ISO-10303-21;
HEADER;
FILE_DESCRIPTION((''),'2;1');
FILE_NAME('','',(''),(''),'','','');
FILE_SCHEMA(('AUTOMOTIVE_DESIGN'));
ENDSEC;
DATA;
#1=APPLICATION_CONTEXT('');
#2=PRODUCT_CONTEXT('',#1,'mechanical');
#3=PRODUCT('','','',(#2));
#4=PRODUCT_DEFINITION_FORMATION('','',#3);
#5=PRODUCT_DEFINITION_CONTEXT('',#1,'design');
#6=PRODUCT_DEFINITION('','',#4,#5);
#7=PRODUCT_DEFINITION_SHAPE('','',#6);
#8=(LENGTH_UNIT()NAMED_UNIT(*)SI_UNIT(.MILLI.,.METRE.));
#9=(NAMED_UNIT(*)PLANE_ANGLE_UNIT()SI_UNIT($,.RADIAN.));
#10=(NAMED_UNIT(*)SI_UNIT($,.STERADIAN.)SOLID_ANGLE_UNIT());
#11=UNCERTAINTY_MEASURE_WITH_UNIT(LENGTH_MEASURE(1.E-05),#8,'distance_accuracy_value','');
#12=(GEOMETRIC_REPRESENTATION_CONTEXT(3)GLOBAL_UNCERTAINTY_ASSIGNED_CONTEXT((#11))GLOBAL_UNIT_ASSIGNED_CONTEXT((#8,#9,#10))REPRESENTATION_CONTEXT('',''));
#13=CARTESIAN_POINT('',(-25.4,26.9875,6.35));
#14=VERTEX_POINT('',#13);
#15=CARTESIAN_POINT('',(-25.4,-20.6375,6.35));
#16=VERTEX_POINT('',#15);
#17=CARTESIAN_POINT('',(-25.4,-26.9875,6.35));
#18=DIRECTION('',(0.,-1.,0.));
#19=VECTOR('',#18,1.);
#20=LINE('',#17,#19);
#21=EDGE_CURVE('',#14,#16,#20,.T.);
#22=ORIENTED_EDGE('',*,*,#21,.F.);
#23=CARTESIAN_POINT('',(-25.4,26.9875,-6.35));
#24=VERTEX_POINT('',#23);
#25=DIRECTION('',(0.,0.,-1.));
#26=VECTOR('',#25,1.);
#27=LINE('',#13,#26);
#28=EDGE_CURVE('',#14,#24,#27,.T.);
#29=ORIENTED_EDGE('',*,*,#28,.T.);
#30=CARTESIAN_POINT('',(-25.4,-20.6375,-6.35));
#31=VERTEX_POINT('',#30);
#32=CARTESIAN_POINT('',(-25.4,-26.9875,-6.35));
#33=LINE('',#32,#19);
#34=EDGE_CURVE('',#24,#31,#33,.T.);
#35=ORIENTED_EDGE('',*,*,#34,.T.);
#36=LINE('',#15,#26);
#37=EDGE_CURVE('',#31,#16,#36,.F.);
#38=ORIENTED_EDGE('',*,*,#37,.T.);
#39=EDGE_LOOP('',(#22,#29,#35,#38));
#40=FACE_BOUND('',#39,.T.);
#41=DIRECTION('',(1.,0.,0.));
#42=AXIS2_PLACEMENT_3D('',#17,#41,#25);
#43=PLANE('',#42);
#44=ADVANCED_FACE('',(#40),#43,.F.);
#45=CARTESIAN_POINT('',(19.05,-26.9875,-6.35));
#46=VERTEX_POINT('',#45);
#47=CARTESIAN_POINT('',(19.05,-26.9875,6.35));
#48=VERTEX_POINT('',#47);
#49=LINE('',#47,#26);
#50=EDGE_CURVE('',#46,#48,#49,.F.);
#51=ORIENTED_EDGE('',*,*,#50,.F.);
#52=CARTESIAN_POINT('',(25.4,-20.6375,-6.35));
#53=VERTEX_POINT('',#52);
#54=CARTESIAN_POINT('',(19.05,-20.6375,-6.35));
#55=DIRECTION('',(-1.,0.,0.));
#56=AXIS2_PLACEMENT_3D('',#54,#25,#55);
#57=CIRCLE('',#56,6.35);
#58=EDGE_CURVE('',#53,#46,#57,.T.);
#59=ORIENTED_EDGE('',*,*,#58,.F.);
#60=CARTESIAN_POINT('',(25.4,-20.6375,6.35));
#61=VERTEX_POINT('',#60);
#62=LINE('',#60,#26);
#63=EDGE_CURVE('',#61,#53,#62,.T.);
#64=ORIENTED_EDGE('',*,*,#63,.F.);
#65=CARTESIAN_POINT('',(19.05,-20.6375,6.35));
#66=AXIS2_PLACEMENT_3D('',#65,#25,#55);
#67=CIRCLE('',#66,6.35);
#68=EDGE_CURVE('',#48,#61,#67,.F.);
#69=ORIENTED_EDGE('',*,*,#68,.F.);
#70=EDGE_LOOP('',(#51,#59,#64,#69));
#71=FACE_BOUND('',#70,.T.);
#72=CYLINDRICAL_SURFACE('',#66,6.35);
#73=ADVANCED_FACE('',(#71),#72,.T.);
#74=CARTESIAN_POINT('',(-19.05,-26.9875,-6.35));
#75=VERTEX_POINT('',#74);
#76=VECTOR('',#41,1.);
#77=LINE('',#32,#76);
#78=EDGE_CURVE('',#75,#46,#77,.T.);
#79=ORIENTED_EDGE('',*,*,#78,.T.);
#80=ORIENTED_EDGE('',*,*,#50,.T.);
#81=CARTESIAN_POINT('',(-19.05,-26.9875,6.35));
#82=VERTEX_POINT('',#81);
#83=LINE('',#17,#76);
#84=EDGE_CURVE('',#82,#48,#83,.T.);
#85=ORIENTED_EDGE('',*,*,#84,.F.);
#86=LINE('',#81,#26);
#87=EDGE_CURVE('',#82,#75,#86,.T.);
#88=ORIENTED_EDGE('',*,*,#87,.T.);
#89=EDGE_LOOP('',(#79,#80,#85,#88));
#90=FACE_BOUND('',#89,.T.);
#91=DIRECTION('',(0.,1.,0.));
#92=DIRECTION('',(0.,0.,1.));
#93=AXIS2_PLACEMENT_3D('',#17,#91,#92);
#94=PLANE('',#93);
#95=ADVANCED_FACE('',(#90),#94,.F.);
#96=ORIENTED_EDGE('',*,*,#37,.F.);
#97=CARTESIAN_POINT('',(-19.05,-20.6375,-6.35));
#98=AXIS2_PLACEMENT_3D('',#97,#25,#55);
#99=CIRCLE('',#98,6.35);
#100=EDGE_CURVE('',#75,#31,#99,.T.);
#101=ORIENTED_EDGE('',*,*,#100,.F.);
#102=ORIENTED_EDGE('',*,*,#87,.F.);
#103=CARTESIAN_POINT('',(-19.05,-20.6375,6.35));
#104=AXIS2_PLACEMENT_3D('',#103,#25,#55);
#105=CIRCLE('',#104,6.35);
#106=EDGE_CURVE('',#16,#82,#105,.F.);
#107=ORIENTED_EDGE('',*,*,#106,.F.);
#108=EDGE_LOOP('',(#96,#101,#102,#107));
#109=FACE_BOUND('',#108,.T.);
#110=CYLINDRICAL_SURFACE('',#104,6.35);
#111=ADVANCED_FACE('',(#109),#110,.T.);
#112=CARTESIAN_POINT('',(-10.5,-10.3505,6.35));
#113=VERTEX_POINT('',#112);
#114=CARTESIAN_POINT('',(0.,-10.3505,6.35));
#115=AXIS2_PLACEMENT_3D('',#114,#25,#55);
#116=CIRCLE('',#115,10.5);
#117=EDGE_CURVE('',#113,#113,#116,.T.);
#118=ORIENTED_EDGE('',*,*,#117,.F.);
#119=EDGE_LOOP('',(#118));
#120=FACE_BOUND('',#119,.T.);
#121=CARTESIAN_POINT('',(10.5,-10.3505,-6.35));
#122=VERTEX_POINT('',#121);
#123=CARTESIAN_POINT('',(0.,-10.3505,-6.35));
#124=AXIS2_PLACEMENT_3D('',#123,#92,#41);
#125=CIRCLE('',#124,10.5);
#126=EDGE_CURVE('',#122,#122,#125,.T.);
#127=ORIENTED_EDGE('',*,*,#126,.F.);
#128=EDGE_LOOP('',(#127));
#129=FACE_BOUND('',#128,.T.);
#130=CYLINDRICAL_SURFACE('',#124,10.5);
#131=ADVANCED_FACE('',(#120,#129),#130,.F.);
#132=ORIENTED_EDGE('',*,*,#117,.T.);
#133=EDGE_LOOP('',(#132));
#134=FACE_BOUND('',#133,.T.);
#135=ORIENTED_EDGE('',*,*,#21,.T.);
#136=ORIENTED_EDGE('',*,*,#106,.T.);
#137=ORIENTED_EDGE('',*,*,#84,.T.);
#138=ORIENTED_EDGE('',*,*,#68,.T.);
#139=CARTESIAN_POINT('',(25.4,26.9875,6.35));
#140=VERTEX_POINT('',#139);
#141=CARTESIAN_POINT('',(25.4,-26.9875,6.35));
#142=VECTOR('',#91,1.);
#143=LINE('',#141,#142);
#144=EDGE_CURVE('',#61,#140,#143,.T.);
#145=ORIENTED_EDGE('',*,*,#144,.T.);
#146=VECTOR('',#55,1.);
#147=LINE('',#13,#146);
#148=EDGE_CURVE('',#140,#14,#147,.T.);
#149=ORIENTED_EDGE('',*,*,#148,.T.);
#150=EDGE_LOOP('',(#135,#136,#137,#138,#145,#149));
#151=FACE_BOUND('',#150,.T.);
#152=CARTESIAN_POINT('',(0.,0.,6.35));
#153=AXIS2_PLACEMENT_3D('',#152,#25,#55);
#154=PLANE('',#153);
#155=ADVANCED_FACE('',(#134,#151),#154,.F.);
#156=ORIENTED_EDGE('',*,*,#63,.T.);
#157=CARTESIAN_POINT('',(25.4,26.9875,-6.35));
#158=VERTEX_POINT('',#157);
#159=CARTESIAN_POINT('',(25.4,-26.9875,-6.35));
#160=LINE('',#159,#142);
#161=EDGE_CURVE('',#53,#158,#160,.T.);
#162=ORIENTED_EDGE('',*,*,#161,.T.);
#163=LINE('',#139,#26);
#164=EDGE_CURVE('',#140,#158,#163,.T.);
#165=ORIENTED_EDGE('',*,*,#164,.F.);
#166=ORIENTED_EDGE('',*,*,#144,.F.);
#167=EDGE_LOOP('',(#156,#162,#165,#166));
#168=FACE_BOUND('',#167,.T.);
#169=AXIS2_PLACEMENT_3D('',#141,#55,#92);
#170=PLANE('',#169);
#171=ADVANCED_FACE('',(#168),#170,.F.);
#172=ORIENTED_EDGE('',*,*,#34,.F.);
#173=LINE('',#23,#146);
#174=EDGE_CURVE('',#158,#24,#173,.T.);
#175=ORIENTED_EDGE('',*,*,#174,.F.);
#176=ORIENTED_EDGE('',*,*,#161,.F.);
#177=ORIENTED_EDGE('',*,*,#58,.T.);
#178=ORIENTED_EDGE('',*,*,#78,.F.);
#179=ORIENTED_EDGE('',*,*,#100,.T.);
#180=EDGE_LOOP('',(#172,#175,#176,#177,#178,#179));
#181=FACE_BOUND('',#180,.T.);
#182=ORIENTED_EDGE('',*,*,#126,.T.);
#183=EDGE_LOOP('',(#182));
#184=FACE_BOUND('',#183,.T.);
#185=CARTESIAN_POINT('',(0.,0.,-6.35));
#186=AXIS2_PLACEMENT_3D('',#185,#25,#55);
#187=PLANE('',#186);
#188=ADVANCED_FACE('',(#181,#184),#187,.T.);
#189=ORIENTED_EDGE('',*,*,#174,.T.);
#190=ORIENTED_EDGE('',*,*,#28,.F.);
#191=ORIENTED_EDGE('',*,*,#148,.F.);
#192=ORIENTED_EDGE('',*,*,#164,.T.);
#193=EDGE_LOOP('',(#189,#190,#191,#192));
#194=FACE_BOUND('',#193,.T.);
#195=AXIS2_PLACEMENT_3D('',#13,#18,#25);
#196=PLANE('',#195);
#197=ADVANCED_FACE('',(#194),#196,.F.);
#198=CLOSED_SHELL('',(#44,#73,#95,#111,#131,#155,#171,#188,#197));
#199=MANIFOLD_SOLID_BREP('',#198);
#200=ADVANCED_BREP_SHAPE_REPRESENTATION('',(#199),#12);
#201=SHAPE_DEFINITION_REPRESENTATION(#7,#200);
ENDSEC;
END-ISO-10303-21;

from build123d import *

# Parameters (mm, degrees)
SKETCH1_W               = 50.8
SKETCH1_H               = 53.975
BOSS_EXTRUDE1_DEPTH     = 6.35
CUT_EXTRUDE1_DEPTH      = 40.176206507
CUT_EXTRUDE1_DEPTH_BACK = 40.176206507
SKETCH2_R               = 10.499999971
FILLET1_R               = 6.35


with BuildPart() as part:
    # Sketch1 → Boss-Extrude1 (new, symmetric)
    with BuildSketch(Plane.XY):
        Rectangle(SKETCH1_W, SKETCH1_H)
    extrude(amount=BOSS_EXTRUDE1_DEPTH, both=True)

    # Sketch2 → Cut-Extrude1 (cut, two sides: drawn at the far end of the back side and taken through both)
    with BuildSketch(Plane.XY.offset(6.35).offset(-CUT_EXTRUDE1_DEPTH_BACK)):
        with Locations((0, -10.3505)):
            Circle(SKETCH2_R)
    extrude(amount=CUT_EXTRUDE1_DEPTH + CUT_EXTRUDE1_DEPTH_BACK, mode=Mode.SUBTRACT)

    # Fillet1
    fillet1_edges = [part.edges().sort_by_distance(p)[0] for p in [
        (25.4, -26.9875, 0),
        (-25.4, -26.9875, 0),
    ]]
    fillet(fillet1_edges, radius=FILLET1_R)


solid = part.part
